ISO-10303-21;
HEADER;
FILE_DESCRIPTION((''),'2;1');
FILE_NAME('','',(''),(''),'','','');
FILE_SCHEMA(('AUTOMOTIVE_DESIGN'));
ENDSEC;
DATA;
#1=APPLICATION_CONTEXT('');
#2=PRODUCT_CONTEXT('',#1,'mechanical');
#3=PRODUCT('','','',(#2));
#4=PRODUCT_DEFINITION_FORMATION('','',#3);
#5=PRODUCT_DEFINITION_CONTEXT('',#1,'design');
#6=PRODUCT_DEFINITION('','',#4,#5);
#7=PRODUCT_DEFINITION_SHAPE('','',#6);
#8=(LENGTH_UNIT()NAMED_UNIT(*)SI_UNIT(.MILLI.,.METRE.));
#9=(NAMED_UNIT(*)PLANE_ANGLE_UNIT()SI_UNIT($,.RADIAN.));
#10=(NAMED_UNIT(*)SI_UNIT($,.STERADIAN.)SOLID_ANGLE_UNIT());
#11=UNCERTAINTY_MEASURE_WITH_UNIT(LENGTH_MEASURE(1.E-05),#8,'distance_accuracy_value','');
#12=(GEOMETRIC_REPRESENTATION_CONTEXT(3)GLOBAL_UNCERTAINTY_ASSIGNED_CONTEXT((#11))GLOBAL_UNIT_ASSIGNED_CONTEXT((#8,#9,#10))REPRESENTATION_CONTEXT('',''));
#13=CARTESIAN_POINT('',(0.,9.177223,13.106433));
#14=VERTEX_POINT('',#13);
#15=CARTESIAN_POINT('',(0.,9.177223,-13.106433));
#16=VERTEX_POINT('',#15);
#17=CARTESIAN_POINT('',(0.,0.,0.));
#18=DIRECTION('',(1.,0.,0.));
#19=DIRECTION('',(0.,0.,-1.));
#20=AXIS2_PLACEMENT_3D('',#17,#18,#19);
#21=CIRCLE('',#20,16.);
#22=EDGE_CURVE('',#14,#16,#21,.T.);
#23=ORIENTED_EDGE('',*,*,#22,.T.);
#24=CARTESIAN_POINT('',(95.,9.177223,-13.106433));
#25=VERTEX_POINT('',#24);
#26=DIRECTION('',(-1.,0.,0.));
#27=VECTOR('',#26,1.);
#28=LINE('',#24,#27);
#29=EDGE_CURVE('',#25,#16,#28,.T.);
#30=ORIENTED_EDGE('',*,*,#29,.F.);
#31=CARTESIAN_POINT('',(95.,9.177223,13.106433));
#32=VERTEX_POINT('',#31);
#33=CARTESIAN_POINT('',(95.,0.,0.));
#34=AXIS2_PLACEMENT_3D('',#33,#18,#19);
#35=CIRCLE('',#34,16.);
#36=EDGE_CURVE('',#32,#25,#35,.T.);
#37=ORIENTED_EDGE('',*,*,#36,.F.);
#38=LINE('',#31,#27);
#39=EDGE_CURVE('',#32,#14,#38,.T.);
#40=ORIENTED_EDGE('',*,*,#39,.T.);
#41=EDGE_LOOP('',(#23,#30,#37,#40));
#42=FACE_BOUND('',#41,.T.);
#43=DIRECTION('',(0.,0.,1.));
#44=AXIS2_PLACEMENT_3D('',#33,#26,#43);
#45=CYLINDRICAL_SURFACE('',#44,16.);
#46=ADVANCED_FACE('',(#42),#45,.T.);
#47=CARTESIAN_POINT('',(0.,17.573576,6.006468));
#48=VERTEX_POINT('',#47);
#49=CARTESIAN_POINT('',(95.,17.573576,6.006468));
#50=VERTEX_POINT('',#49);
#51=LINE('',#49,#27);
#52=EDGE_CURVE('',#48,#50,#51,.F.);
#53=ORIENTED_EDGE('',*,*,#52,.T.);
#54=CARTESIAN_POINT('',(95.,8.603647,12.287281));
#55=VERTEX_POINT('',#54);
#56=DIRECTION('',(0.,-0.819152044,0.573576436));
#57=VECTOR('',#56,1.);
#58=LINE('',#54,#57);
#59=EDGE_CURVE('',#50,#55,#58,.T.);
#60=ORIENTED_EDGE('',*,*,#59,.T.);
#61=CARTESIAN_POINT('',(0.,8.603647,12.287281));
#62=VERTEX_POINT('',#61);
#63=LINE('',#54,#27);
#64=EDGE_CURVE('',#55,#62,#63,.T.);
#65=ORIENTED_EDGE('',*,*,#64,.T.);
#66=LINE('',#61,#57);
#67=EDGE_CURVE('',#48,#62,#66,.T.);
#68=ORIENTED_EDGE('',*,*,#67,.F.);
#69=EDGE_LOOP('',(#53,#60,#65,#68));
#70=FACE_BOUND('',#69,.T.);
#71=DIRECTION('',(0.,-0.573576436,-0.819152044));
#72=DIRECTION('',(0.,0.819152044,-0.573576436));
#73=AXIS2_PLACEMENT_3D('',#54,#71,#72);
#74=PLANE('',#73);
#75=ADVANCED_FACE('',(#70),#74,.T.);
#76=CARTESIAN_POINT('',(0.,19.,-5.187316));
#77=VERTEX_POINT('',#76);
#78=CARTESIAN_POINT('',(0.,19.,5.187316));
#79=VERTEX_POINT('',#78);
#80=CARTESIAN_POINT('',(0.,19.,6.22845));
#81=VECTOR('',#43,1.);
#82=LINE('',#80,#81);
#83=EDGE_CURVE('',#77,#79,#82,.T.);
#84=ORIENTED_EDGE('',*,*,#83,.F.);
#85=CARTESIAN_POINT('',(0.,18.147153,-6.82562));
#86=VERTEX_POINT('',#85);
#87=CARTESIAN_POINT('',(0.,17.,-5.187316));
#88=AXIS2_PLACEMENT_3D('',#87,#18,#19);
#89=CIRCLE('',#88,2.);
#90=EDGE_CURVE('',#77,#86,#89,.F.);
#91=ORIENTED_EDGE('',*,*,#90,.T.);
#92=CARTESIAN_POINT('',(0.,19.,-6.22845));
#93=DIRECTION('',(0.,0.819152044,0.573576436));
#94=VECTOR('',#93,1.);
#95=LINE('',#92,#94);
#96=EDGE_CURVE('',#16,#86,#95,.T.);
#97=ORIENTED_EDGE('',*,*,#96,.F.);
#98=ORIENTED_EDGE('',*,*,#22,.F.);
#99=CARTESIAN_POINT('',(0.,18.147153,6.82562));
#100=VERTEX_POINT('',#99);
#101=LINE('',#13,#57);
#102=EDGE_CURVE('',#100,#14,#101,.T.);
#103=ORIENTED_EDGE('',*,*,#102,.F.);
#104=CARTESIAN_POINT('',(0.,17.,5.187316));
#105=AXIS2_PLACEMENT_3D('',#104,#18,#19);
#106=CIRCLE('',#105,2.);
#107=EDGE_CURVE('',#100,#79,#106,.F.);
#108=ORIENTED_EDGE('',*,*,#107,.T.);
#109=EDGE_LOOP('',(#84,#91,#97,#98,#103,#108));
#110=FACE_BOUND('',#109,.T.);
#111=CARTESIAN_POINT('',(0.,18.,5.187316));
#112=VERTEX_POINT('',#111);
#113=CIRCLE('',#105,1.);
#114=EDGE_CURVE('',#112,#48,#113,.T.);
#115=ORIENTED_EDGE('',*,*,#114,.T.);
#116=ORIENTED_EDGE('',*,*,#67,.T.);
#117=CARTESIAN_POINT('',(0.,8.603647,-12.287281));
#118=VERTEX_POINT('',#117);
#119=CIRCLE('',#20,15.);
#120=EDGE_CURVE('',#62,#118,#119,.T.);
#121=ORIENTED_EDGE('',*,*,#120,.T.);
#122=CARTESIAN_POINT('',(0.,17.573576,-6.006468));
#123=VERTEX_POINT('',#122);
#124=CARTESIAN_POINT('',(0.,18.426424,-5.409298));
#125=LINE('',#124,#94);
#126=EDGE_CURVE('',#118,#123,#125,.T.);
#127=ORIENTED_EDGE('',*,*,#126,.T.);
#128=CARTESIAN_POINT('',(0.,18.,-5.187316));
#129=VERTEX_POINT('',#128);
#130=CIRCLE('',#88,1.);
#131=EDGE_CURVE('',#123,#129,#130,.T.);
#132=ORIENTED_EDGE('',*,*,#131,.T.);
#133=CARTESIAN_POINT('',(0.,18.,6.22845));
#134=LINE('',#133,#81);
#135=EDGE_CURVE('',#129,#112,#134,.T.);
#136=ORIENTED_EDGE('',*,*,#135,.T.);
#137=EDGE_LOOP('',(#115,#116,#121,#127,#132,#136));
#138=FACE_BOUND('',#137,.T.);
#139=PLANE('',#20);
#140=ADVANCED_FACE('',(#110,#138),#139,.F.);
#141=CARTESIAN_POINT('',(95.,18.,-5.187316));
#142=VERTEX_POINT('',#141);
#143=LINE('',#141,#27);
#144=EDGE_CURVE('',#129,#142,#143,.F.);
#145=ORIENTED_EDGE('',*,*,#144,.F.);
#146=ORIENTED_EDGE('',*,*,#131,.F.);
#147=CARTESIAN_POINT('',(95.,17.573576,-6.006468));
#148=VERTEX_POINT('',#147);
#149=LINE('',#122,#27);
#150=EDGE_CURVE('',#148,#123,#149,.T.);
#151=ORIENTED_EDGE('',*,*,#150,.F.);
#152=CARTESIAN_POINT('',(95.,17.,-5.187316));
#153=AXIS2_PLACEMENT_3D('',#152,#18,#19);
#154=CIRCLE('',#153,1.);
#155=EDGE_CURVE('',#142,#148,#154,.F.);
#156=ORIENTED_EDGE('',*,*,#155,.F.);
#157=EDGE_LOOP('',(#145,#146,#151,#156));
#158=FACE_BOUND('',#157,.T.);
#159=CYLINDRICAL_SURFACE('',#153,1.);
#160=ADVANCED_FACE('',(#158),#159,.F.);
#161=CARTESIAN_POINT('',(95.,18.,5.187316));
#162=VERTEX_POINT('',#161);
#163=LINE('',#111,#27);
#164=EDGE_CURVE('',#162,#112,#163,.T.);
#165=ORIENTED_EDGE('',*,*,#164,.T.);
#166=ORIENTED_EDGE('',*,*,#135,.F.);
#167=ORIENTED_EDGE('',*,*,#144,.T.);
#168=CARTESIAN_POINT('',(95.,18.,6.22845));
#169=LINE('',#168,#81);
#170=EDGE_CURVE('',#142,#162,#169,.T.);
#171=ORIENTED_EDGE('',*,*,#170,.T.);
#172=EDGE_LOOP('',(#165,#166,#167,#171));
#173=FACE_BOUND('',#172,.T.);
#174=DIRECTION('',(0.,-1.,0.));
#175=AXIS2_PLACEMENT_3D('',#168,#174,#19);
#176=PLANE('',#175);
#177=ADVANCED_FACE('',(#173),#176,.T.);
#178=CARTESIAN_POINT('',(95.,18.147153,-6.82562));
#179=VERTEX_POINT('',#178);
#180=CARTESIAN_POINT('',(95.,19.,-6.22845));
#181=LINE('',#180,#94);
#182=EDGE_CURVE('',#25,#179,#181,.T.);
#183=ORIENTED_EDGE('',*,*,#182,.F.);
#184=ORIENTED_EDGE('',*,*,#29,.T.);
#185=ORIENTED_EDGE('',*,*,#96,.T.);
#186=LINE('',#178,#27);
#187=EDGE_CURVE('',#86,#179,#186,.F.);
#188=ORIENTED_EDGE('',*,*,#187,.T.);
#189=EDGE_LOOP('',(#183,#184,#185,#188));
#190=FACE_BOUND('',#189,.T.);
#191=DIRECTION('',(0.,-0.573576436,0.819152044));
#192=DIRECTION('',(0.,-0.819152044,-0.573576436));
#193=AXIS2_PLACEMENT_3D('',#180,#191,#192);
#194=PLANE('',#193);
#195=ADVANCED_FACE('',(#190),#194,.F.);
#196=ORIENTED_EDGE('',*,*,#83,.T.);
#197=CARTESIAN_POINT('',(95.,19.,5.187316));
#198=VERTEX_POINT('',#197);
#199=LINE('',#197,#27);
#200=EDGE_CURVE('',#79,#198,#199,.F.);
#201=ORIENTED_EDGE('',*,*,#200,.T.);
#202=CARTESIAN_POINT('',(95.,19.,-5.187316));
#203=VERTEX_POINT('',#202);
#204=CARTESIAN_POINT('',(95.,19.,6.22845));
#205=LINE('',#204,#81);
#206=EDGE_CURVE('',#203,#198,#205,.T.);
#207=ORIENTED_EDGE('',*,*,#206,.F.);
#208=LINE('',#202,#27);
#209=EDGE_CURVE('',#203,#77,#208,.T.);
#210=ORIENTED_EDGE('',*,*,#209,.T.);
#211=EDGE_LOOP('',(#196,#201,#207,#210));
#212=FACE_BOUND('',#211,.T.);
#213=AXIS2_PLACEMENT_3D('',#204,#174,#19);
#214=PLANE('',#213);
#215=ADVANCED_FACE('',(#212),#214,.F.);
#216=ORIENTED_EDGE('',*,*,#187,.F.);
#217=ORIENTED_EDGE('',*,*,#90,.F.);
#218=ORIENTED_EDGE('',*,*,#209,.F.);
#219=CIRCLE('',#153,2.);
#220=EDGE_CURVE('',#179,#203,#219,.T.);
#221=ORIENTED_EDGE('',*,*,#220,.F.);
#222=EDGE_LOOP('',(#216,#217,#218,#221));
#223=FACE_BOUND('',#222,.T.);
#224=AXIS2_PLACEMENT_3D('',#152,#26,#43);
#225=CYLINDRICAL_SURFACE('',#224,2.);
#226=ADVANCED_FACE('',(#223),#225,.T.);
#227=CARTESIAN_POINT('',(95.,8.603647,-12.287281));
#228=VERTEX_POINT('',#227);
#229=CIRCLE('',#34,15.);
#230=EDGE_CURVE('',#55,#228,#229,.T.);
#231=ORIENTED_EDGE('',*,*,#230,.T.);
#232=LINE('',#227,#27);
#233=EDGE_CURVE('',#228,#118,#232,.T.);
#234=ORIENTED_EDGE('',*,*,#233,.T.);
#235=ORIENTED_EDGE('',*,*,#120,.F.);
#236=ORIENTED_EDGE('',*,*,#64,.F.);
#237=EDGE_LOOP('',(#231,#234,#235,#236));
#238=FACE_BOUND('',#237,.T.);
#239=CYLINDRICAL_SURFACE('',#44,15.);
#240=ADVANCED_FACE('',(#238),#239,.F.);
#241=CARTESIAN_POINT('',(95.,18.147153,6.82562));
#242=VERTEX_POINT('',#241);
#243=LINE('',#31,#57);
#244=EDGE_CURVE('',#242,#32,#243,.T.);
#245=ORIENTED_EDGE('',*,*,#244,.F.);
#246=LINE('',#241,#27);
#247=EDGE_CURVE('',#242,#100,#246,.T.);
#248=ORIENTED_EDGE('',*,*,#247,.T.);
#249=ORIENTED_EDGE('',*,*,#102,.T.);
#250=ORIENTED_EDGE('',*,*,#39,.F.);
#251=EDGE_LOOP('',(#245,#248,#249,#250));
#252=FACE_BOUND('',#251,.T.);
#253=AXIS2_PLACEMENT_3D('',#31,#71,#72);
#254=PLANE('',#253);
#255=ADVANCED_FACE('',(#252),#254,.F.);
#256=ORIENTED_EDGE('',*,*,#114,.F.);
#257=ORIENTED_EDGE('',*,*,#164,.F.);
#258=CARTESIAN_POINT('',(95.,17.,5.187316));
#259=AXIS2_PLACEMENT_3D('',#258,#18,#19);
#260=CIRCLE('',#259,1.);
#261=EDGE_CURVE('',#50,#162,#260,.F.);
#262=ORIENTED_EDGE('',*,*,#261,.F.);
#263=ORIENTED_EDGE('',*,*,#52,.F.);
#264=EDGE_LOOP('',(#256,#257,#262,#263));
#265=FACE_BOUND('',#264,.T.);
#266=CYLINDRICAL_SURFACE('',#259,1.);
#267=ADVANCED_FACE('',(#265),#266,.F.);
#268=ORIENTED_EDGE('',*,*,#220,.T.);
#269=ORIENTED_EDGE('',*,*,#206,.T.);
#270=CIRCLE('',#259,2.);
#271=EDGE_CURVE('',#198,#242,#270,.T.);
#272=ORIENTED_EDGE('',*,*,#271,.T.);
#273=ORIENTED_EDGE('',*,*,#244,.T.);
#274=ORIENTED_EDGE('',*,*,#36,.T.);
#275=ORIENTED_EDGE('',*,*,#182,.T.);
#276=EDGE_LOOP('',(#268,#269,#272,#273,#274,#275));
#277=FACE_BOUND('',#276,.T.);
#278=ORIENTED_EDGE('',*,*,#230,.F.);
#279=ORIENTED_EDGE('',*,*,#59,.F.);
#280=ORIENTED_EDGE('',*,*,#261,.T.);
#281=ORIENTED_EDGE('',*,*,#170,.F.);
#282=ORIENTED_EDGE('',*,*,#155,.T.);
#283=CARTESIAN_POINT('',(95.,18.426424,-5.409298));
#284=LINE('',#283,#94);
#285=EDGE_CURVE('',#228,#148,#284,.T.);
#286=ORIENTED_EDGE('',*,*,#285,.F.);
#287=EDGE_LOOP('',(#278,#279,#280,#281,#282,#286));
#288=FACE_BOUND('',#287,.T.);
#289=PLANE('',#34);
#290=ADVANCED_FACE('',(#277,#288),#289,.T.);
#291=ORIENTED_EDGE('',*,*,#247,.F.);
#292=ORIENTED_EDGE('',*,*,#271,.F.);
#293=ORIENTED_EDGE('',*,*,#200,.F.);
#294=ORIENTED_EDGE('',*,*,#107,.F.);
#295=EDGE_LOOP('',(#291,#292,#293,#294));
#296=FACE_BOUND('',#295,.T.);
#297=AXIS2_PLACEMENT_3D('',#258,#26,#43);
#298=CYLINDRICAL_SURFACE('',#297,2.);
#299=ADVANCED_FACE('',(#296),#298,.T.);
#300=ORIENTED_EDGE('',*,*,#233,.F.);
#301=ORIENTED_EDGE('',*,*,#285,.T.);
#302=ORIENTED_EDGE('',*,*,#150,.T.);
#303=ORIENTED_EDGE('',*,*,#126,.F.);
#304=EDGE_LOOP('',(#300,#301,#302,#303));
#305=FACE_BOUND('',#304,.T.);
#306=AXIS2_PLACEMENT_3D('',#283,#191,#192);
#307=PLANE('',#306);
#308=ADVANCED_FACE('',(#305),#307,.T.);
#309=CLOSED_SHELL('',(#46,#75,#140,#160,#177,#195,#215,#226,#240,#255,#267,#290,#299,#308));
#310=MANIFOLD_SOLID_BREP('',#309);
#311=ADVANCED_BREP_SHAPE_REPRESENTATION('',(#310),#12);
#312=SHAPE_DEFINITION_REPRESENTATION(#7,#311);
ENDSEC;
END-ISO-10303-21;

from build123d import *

# Parameters (mm, degrees)
LINEAR_AUSTRAGEN_D_NN1_DEPTH = 95
VERRUNDUNG1_R                = 2
VERRUNDUNG2_R                = 1


with BuildPart() as part:
    # Skizze1 → Linear-Austragen-Dünn1 (new body)
    with BuildSketch(Plane(origin=(0, 0, 0), x_dir=(0, 0, -1), z_dir=(1, 0, 0))):
        with BuildLine():
            Line((-13.106432709, 9.177222982), (-6.228450194, 19))
            Line((-6.228450194, 19), (6.228450194, 19))
            Line((6.228450194, 19), (13.106432709, 9.177222982))
            ThreePointArc((13.106432709, 9.177222982), (0, -16), (-13.106432709, 9.177222982))
        make_face()
        with BuildLine():
            Line((-12.287280664, 8.603646545), (-5.707883144, 18))
            Line((-5.707883144, 18), (5.707883144, 18))
            Line((5.707883144, 18), (12.287280664, 8.603646545))
            ThreePointArc((12.287280664, 8.603646545), (0, -15), (-12.287280664, 8.603646545))
        make_face(mode=Mode.SUBTRACT)
    extrude(amount=LINEAR_AUSTRAGEN_D_NN1_DEPTH)

    # Verrundung1
    verrundung1_edges = [part.edges().sort_by_distance(p)[0] for p in [
        (47.5, 19, 6.228450194),
        (47.5, 19, -6.228450194),
    ]]
    fillet(verrundung1_edges, radius=VERRUNDUNG1_R)

    # Verrundung2
    verrundung2_edges = [part.edges().sort_by_distance(p)[0] for p in [
        (47.5, 18, -5.707883144),
        (47.5, 18, 5.707883144),
    ]]
    fillet(verrundung2_edges, radius=VERRUNDUNG2_R)


solid = part.part
